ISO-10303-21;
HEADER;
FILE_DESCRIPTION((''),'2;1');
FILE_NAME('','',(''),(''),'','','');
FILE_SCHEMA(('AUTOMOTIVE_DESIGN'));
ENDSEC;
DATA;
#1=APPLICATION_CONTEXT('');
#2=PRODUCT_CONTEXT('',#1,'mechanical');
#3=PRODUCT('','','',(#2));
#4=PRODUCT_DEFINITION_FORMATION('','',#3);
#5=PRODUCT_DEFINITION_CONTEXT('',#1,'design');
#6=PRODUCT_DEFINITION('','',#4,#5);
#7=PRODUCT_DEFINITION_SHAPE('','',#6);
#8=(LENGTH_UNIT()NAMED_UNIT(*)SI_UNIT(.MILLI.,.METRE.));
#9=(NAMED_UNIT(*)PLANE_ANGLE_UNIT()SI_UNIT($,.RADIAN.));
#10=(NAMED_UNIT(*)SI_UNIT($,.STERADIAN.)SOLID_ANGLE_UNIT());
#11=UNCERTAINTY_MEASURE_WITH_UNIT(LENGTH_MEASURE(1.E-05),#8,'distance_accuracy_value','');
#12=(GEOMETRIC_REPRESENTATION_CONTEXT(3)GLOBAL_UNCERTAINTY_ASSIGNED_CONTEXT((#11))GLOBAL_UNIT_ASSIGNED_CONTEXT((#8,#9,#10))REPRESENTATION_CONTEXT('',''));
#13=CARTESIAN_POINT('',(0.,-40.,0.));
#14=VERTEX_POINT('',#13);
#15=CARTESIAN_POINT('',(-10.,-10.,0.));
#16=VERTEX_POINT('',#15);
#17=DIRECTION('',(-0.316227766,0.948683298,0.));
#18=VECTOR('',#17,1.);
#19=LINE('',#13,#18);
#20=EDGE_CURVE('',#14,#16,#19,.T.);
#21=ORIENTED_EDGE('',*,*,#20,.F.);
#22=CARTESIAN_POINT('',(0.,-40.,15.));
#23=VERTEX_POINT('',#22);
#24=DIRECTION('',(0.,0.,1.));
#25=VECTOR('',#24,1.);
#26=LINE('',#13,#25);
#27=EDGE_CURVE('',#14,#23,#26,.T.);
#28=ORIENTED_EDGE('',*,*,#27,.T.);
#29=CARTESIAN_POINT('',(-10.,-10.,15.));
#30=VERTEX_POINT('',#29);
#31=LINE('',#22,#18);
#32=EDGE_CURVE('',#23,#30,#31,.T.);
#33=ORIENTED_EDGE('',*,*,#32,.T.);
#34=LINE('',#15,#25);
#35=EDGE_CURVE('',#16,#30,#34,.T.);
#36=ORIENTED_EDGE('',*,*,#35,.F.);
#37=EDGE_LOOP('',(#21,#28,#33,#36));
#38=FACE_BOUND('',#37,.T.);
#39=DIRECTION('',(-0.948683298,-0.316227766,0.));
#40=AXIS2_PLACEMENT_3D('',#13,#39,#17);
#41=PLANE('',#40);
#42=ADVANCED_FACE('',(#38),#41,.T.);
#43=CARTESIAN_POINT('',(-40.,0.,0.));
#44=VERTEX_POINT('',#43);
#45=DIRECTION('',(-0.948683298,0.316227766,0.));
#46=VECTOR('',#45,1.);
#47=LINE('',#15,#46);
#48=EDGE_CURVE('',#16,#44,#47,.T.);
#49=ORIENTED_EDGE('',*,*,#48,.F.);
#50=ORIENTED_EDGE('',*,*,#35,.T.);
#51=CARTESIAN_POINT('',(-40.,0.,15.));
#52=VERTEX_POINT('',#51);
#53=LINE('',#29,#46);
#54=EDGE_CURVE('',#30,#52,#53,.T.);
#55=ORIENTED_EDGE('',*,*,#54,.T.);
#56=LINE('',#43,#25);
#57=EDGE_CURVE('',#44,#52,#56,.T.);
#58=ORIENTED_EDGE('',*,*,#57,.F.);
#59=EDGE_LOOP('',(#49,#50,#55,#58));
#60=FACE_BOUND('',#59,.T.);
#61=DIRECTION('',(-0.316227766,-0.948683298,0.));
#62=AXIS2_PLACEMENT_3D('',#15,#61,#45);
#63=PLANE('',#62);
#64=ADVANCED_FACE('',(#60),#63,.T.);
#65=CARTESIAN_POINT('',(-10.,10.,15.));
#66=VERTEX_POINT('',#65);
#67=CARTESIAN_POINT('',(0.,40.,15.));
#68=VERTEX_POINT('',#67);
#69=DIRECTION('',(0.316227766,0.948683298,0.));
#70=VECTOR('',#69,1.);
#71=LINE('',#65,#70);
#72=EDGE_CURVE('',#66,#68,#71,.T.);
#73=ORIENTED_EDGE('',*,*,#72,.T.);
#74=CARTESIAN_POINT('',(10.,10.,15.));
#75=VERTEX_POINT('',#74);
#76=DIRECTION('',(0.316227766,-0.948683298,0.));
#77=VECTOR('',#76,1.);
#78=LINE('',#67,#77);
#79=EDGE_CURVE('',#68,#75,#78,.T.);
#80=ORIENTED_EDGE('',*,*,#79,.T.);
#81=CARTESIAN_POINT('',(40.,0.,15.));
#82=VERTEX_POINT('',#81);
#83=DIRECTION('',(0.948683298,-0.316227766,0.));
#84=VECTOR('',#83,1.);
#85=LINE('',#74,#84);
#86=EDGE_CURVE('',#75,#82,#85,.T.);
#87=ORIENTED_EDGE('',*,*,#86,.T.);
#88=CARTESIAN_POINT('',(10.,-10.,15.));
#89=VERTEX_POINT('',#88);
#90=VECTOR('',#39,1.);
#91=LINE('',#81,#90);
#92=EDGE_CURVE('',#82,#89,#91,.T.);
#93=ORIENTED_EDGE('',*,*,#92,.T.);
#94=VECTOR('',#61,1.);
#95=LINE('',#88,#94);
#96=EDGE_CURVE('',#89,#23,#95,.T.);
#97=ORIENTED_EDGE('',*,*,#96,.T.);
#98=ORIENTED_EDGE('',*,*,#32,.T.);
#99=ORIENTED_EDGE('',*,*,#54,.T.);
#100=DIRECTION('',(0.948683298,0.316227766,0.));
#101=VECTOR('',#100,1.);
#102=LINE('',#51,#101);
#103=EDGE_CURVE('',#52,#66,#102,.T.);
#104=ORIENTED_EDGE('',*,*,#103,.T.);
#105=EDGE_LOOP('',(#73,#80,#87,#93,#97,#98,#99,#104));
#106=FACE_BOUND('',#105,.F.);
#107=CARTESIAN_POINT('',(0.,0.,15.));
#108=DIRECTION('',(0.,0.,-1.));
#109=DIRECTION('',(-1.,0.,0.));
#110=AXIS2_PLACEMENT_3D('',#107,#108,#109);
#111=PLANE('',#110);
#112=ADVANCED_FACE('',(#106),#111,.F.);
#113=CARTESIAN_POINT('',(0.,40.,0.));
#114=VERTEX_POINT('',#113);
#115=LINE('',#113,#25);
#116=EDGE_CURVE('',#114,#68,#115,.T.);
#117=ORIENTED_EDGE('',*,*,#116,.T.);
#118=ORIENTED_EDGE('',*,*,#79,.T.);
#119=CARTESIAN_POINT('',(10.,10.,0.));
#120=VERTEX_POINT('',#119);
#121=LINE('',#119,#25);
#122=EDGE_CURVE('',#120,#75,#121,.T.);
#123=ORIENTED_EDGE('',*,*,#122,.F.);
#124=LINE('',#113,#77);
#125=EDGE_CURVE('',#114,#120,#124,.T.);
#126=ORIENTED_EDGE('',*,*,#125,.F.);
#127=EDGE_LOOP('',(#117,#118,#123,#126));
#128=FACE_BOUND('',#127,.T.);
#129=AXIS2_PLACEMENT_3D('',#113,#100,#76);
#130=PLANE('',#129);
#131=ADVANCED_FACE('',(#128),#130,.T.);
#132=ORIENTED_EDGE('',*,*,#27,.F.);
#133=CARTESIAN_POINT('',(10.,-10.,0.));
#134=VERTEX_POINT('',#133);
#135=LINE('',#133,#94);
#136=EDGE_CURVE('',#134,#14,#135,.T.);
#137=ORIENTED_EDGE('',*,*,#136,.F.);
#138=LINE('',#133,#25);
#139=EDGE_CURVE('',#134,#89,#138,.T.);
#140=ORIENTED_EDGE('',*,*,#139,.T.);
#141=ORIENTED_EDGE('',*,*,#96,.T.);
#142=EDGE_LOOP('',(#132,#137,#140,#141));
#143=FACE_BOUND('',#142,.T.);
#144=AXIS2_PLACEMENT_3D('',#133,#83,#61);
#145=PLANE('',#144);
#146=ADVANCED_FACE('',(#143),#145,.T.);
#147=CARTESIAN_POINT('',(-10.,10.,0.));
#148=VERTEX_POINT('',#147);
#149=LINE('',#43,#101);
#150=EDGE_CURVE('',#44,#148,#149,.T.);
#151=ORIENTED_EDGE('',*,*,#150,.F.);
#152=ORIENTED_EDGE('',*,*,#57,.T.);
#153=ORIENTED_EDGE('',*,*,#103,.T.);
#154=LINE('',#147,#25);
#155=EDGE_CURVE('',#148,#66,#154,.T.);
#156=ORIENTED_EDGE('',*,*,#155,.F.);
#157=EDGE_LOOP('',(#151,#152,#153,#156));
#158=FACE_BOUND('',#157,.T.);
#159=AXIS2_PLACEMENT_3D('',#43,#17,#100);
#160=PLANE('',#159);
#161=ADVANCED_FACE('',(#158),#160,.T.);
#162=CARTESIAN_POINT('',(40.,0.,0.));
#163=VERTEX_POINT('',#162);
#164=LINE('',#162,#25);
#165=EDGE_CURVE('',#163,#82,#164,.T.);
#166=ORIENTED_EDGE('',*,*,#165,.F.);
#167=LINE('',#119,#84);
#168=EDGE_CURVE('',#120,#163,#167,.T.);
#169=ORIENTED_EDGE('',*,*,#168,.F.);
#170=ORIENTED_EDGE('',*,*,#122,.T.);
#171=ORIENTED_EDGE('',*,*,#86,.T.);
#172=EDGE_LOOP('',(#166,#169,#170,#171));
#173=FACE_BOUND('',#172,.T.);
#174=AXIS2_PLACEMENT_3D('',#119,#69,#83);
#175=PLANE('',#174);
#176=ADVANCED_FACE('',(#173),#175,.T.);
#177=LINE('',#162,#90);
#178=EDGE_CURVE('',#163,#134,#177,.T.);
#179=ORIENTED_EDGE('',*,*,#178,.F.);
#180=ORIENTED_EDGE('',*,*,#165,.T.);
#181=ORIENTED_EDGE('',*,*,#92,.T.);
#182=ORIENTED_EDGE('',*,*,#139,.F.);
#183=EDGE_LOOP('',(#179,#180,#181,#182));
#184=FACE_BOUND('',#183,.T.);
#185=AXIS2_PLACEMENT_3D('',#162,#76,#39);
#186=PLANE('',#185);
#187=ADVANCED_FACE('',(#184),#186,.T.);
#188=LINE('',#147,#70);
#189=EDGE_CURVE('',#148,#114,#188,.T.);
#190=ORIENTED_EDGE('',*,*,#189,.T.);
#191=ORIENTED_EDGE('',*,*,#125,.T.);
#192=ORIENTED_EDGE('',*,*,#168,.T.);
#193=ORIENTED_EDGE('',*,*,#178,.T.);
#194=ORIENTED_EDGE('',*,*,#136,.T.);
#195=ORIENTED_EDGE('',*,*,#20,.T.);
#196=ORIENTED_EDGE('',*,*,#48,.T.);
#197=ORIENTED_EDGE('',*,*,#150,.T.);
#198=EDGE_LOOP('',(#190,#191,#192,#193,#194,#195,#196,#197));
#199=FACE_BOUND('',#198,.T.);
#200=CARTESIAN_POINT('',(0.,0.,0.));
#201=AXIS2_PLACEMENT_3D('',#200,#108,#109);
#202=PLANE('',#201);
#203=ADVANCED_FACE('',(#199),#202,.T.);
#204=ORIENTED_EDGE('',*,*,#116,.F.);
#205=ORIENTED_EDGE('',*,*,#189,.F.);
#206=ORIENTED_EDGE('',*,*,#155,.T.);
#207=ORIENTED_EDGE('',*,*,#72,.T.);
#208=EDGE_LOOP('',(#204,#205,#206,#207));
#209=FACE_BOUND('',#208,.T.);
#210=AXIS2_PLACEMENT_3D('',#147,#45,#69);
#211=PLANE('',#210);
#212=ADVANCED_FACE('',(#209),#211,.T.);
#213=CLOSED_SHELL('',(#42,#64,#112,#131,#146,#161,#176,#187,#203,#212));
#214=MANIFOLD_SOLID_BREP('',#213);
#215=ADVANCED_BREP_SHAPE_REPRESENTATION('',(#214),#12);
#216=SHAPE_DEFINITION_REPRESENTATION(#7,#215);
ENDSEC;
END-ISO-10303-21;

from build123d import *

# Parameters (mm, degrees)
PAD_DEPTH = 15


with BuildPart() as part:
    # Sketch → Pad (new body)
    with BuildSketch(Plane.XY):
        Polygon((-10, 10), (0, 40), (10, 10), (40, 0), (10, -10), (0, -40), (-10, -10), (-40, 0), align=None)
    extrude(amount=PAD_DEPTH)


solid = part.part
